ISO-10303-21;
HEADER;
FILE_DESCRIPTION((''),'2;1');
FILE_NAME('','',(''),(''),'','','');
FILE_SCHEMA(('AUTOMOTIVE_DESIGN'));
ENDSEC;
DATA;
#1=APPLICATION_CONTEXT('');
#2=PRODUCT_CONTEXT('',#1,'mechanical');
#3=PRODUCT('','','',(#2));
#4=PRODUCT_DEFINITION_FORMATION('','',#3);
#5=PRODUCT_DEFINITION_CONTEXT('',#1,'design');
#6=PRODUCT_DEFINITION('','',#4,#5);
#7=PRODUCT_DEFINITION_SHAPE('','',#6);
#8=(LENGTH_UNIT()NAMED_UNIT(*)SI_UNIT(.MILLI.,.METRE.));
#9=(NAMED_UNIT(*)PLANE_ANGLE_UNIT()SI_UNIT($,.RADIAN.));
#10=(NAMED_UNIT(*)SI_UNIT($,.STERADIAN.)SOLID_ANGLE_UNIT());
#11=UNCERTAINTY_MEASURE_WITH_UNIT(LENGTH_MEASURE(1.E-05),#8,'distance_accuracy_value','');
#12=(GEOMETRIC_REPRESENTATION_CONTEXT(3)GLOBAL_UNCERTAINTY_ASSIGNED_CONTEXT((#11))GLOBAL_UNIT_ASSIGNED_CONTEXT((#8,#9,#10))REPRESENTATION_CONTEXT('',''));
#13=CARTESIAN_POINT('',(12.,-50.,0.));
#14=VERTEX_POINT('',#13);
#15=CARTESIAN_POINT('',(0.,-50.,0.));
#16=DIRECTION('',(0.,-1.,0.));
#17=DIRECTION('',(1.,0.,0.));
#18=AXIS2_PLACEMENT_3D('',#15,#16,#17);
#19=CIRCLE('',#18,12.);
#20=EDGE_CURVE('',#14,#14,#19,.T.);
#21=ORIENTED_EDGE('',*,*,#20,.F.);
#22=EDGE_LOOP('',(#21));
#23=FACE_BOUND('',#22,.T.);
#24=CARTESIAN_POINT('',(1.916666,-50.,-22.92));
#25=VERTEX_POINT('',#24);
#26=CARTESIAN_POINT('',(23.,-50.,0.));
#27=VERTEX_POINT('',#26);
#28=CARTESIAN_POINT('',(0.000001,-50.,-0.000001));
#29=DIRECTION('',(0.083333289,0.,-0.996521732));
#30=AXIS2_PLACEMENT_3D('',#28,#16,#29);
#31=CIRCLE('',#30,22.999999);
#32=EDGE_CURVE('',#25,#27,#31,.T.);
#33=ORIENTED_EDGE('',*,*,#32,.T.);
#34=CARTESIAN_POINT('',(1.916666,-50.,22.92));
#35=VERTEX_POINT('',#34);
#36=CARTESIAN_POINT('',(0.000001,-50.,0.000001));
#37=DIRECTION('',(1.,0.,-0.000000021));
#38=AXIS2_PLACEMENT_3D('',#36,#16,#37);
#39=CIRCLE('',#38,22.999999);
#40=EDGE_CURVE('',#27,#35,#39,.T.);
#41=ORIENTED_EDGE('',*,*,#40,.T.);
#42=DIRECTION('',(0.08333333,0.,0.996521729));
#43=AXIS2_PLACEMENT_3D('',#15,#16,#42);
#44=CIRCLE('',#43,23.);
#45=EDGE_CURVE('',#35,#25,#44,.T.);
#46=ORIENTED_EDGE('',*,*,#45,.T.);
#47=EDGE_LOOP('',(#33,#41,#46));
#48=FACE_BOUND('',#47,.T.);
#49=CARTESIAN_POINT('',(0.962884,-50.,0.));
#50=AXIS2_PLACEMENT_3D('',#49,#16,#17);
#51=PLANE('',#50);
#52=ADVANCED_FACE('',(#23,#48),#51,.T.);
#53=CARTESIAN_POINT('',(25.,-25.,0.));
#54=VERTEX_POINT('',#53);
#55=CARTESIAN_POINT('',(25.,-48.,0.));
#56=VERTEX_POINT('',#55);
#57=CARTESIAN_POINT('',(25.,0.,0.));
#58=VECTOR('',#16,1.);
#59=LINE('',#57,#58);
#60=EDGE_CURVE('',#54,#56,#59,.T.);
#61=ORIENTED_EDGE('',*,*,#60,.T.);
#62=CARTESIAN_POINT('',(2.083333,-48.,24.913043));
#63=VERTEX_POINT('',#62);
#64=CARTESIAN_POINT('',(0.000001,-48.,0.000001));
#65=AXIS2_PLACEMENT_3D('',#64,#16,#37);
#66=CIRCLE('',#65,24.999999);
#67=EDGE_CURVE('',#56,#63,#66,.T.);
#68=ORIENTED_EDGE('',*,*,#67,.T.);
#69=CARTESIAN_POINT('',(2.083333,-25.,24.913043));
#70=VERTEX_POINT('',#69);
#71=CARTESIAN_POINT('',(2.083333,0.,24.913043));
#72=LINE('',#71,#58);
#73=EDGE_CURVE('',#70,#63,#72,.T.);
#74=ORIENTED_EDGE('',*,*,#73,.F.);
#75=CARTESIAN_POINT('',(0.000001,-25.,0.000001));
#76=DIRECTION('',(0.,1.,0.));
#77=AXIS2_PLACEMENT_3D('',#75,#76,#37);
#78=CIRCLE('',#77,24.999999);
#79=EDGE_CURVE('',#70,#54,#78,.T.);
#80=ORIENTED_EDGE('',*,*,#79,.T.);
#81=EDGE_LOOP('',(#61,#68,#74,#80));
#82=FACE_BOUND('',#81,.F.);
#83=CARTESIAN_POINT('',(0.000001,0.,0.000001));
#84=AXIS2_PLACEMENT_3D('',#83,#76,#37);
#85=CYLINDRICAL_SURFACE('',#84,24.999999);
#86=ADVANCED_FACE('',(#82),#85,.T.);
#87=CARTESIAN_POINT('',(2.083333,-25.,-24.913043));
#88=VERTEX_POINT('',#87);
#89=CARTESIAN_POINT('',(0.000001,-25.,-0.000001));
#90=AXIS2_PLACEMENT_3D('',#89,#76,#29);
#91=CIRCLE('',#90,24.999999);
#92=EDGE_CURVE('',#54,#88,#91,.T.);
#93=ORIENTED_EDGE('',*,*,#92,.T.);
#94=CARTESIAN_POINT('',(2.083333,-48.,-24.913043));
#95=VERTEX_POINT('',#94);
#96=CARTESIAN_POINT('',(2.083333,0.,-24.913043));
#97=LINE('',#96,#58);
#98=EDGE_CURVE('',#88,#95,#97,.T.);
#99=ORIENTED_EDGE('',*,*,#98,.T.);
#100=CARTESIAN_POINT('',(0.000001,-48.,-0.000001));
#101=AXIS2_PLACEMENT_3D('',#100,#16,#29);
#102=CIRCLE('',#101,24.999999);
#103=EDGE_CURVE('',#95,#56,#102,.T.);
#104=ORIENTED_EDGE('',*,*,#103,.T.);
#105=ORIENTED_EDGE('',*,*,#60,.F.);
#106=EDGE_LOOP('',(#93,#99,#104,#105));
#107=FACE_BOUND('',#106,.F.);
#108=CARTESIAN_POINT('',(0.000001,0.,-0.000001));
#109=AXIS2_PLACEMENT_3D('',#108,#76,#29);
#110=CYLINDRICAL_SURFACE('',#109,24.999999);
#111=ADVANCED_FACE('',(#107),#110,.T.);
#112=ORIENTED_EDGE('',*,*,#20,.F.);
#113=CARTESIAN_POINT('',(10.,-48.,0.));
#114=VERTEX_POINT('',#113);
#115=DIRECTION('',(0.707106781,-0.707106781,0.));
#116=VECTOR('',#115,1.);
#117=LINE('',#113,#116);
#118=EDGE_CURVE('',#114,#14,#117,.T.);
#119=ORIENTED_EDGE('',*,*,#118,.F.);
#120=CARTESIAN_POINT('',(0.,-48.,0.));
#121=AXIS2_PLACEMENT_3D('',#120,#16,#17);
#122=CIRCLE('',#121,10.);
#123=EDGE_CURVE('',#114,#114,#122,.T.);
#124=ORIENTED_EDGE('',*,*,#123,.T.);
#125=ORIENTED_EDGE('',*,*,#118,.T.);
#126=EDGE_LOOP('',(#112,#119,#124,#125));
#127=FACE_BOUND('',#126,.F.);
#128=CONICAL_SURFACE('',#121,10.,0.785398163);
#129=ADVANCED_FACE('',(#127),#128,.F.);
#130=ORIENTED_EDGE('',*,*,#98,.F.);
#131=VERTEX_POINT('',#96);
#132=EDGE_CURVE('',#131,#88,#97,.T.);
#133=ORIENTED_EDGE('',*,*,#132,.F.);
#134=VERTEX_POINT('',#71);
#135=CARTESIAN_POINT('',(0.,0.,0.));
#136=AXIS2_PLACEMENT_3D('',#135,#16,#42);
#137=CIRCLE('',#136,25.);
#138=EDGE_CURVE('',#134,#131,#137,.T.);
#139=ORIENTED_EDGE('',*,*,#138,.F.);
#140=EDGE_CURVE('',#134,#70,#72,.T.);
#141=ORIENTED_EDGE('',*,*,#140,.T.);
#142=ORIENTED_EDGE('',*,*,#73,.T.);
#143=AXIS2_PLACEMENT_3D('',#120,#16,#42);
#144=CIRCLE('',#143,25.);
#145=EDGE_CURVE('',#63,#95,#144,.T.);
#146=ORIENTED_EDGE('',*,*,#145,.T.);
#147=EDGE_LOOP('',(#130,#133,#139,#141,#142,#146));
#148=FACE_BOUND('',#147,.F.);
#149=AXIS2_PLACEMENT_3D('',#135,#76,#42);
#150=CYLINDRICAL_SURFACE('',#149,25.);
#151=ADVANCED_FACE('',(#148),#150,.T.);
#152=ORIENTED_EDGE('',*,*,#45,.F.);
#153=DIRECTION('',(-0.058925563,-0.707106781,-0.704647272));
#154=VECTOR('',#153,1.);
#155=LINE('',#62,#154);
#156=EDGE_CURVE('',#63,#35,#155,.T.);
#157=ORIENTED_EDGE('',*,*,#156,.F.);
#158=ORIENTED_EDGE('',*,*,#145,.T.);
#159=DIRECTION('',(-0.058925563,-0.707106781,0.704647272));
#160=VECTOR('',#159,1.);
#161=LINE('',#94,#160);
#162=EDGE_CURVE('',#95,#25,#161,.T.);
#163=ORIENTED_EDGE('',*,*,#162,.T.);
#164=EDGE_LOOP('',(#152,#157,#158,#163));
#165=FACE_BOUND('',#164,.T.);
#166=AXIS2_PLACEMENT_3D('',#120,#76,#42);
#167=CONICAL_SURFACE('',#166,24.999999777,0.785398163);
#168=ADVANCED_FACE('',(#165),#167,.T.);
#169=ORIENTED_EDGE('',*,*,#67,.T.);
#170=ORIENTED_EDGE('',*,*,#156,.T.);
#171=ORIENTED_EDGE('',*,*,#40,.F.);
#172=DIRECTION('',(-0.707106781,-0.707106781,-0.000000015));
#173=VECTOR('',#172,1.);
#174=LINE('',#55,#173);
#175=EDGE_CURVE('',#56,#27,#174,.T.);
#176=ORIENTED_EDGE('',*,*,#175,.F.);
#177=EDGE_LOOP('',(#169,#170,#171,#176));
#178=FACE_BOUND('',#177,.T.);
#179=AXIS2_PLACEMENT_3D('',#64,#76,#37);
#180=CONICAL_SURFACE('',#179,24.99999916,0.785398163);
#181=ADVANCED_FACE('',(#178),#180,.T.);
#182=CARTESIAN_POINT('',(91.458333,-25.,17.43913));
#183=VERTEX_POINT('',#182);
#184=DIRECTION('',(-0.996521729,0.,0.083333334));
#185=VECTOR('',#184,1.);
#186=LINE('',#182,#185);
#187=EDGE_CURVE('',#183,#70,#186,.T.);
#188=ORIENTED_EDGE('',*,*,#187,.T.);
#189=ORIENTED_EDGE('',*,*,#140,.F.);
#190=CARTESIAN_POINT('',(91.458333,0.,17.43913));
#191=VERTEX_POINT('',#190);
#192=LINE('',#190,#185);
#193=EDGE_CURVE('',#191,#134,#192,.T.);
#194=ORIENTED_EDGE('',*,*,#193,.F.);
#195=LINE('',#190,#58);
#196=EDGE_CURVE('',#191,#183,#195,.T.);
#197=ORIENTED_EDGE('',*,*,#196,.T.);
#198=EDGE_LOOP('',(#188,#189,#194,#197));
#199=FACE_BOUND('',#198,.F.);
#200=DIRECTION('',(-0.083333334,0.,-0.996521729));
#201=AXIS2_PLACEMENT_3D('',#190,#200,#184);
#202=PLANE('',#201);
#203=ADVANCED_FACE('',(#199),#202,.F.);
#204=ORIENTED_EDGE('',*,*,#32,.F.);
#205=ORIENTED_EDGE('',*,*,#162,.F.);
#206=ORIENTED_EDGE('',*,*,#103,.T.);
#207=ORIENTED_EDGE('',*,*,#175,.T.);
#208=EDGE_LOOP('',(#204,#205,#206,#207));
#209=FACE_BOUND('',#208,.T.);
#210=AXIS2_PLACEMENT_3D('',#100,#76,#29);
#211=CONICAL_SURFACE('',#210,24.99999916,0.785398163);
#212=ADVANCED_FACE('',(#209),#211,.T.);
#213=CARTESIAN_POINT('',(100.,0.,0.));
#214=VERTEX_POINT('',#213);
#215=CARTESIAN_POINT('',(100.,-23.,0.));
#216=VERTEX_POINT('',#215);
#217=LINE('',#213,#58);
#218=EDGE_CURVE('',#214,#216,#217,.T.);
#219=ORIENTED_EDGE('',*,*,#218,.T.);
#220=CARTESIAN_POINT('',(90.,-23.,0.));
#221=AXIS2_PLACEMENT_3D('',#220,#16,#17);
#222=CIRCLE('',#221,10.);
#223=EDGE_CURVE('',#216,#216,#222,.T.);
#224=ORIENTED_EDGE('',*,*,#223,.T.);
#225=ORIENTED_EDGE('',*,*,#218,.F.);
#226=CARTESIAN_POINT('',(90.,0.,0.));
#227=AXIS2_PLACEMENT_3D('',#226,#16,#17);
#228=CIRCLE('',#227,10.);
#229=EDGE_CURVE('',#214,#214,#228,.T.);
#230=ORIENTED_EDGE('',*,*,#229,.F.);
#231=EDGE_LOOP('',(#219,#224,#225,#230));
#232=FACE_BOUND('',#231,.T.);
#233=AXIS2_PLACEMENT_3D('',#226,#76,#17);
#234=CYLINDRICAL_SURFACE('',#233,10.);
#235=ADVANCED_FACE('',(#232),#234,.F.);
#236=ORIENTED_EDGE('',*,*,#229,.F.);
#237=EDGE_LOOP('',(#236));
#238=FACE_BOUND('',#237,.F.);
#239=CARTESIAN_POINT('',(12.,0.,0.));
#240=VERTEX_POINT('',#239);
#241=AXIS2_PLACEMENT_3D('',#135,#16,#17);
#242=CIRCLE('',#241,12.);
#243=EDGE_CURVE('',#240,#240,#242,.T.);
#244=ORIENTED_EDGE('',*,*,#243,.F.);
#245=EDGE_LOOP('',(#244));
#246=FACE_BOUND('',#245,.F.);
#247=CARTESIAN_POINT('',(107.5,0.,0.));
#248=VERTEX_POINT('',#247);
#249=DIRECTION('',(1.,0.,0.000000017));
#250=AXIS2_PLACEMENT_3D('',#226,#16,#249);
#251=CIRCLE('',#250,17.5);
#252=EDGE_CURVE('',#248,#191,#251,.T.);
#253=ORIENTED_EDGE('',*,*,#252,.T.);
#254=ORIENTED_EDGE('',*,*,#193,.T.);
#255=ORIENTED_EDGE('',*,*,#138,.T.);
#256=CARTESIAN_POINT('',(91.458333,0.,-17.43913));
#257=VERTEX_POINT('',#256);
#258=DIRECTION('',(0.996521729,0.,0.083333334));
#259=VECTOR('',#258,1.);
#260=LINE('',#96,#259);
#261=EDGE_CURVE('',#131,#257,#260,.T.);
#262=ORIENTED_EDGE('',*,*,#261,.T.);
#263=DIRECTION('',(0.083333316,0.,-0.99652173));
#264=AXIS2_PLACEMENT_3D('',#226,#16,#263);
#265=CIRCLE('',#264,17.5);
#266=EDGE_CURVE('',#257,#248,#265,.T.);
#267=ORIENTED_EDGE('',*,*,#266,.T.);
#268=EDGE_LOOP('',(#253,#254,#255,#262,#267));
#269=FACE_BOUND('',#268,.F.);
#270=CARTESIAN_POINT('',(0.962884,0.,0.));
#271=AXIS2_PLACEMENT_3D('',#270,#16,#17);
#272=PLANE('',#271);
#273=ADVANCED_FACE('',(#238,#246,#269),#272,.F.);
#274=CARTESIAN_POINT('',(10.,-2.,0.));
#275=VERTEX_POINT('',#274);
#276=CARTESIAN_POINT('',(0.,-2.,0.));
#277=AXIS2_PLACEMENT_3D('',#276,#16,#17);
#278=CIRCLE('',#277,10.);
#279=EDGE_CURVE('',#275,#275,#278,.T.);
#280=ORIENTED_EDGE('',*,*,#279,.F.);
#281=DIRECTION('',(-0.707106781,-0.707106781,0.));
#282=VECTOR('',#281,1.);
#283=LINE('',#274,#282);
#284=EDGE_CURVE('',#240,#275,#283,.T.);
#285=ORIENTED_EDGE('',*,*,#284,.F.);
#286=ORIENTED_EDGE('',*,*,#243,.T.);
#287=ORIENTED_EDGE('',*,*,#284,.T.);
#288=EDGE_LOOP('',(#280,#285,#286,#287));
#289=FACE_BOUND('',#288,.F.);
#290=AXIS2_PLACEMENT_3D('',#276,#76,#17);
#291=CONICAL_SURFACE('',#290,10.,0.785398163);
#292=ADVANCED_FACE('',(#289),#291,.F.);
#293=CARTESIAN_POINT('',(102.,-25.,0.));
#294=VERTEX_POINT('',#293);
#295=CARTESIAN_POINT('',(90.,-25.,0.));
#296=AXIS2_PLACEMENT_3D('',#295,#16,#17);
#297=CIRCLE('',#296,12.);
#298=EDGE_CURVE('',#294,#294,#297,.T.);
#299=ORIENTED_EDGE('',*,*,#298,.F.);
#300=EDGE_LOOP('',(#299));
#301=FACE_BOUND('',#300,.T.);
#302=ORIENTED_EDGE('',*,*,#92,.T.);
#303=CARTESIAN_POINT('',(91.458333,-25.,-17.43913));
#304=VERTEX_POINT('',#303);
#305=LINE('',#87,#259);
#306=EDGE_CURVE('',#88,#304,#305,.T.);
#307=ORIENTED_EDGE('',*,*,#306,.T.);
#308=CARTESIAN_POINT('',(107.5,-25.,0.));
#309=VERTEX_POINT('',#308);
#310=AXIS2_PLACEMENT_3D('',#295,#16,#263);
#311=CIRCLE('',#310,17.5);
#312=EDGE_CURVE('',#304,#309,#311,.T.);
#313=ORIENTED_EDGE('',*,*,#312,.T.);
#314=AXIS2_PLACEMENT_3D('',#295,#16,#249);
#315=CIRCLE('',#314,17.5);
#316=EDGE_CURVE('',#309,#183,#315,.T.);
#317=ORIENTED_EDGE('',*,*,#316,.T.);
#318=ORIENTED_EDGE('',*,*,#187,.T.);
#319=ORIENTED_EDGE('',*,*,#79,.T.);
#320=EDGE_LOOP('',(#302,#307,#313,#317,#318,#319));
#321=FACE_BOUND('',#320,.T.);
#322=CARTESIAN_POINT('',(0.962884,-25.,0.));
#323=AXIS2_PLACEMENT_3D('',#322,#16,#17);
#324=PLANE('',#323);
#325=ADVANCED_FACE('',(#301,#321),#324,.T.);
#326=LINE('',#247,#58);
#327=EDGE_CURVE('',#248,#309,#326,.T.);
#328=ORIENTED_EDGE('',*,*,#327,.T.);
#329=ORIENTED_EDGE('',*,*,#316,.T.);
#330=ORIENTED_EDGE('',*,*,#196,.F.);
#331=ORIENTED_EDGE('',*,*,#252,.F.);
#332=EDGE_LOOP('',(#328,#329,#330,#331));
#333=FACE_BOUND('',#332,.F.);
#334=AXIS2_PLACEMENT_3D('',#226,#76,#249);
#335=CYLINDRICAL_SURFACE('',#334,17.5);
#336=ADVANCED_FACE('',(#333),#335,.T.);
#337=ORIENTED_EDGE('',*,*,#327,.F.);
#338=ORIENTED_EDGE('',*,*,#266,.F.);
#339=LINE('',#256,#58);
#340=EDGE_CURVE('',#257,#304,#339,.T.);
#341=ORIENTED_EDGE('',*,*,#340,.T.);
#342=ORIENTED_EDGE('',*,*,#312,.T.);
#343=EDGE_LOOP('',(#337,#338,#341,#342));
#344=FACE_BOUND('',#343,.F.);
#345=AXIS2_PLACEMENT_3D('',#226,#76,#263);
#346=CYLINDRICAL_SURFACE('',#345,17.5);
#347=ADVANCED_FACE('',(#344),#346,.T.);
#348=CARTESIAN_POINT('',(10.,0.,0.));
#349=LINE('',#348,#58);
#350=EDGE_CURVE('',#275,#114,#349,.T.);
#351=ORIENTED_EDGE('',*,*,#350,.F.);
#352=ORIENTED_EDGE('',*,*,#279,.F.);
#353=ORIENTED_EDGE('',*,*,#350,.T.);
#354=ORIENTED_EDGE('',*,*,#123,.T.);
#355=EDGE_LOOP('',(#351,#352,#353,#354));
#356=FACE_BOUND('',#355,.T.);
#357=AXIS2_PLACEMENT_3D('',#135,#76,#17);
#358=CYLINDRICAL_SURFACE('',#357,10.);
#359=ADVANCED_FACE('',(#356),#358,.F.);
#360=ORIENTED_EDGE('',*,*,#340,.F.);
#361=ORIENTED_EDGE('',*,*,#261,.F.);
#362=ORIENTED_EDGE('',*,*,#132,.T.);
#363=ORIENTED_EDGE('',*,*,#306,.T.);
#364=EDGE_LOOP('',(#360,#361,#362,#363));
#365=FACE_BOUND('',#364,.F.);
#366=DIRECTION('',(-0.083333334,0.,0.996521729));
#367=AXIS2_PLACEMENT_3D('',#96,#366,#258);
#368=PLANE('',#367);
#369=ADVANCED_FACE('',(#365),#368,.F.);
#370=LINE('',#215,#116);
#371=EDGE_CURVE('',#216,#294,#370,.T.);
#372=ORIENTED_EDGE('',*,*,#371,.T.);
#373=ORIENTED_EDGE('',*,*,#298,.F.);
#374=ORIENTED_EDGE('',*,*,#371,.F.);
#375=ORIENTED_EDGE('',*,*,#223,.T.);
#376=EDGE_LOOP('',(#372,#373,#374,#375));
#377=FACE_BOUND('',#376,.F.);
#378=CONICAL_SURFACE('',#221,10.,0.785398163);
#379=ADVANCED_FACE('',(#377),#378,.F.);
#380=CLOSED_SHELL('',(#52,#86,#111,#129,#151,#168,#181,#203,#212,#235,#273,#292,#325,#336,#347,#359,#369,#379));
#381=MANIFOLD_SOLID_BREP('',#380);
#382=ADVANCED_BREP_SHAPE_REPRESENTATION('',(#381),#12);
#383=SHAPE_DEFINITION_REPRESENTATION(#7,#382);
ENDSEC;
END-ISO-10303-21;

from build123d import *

# Parameters (mm, degrees)
F0_R     = 10
F1_DEPTH = 25
F2_DEPTH = 50
F3_SIZE  = 2


with BuildPart() as f1:
    # F0 (on Front) → F1 (new body)
    with BuildSketch(Plane.XZ):
        with BuildLine():
            ThreePointArc((2.083333, -24.913043), (18.399502, -16.92508), (25, 0))
            ThreePointArc((25, 0), (18.399502, 16.92508), (2.083333, 24.913043))
            ThreePointArc((2.083333, 24.913043), (-25, 0), (2.083333, -24.913043))
        make_face()
        Circle(F0_R, mode=Mode.SUBTRACT)
        with BuildLine():
            ThreePointArc((2.083333, 24.913043), (18.399502, 16.92508), (25, 0))
            ThreePointArc((25, 0), (18.399502, -16.92508), (2.083333, -24.913043))
            Line((2.083333, -24.913043), (91.458333, -17.43913))
            ThreePointArc((91.458333, -17.43913), (72.5, 0), (91.458333, 17.43913))
            Line((91.458333, 17.43913), (2.083333, 24.913043))
        make_face()
        with BuildLine():
            ThreePointArc((107.5, 0), (102.879651, 11.847556), (91.458333, 17.43913))
            ThreePointArc((91.458333, 17.43913), (72.5, 0), (91.458333, -17.43913))
            ThreePointArc((91.458333, -17.43913), (102.879651, -11.847556), (107.5, 0))
        make_face()
        with Locations((90, 0)):
            Circle(F0_R, mode=Mode.SUBTRACT)
    extrude(amount=F1_DEPTH)

    # F0 (on Front) → F2 (join)
    with BuildSketch(Plane.XZ):
        with BuildLine():
            ThreePointArc((2.083333, -24.913043), (18.399502, -16.92508), (25, 0))
            ThreePointArc((25, 0), (18.399502, 16.92508), (2.083333, 24.913043))
            ThreePointArc((2.083333, 24.913043), (-25, 0), (2.083333, -24.913043))
        make_face()
        Circle(F0_R, mode=Mode.SUBTRACT)
    extrude(amount=F2_DEPTH)

    # F3
    f3_edges = [f1.edges().sort_by_distance(p)[0] for p in [
        (-2.083333, -50, 24.913043),
        (-10, -50, 0),
        (-10, 0, 0),
        (10, -25, 0),
        (80, -25, 0),
    ]]
    chamfer(f3_edges, length=F3_SIZE)


solid = f1.part
